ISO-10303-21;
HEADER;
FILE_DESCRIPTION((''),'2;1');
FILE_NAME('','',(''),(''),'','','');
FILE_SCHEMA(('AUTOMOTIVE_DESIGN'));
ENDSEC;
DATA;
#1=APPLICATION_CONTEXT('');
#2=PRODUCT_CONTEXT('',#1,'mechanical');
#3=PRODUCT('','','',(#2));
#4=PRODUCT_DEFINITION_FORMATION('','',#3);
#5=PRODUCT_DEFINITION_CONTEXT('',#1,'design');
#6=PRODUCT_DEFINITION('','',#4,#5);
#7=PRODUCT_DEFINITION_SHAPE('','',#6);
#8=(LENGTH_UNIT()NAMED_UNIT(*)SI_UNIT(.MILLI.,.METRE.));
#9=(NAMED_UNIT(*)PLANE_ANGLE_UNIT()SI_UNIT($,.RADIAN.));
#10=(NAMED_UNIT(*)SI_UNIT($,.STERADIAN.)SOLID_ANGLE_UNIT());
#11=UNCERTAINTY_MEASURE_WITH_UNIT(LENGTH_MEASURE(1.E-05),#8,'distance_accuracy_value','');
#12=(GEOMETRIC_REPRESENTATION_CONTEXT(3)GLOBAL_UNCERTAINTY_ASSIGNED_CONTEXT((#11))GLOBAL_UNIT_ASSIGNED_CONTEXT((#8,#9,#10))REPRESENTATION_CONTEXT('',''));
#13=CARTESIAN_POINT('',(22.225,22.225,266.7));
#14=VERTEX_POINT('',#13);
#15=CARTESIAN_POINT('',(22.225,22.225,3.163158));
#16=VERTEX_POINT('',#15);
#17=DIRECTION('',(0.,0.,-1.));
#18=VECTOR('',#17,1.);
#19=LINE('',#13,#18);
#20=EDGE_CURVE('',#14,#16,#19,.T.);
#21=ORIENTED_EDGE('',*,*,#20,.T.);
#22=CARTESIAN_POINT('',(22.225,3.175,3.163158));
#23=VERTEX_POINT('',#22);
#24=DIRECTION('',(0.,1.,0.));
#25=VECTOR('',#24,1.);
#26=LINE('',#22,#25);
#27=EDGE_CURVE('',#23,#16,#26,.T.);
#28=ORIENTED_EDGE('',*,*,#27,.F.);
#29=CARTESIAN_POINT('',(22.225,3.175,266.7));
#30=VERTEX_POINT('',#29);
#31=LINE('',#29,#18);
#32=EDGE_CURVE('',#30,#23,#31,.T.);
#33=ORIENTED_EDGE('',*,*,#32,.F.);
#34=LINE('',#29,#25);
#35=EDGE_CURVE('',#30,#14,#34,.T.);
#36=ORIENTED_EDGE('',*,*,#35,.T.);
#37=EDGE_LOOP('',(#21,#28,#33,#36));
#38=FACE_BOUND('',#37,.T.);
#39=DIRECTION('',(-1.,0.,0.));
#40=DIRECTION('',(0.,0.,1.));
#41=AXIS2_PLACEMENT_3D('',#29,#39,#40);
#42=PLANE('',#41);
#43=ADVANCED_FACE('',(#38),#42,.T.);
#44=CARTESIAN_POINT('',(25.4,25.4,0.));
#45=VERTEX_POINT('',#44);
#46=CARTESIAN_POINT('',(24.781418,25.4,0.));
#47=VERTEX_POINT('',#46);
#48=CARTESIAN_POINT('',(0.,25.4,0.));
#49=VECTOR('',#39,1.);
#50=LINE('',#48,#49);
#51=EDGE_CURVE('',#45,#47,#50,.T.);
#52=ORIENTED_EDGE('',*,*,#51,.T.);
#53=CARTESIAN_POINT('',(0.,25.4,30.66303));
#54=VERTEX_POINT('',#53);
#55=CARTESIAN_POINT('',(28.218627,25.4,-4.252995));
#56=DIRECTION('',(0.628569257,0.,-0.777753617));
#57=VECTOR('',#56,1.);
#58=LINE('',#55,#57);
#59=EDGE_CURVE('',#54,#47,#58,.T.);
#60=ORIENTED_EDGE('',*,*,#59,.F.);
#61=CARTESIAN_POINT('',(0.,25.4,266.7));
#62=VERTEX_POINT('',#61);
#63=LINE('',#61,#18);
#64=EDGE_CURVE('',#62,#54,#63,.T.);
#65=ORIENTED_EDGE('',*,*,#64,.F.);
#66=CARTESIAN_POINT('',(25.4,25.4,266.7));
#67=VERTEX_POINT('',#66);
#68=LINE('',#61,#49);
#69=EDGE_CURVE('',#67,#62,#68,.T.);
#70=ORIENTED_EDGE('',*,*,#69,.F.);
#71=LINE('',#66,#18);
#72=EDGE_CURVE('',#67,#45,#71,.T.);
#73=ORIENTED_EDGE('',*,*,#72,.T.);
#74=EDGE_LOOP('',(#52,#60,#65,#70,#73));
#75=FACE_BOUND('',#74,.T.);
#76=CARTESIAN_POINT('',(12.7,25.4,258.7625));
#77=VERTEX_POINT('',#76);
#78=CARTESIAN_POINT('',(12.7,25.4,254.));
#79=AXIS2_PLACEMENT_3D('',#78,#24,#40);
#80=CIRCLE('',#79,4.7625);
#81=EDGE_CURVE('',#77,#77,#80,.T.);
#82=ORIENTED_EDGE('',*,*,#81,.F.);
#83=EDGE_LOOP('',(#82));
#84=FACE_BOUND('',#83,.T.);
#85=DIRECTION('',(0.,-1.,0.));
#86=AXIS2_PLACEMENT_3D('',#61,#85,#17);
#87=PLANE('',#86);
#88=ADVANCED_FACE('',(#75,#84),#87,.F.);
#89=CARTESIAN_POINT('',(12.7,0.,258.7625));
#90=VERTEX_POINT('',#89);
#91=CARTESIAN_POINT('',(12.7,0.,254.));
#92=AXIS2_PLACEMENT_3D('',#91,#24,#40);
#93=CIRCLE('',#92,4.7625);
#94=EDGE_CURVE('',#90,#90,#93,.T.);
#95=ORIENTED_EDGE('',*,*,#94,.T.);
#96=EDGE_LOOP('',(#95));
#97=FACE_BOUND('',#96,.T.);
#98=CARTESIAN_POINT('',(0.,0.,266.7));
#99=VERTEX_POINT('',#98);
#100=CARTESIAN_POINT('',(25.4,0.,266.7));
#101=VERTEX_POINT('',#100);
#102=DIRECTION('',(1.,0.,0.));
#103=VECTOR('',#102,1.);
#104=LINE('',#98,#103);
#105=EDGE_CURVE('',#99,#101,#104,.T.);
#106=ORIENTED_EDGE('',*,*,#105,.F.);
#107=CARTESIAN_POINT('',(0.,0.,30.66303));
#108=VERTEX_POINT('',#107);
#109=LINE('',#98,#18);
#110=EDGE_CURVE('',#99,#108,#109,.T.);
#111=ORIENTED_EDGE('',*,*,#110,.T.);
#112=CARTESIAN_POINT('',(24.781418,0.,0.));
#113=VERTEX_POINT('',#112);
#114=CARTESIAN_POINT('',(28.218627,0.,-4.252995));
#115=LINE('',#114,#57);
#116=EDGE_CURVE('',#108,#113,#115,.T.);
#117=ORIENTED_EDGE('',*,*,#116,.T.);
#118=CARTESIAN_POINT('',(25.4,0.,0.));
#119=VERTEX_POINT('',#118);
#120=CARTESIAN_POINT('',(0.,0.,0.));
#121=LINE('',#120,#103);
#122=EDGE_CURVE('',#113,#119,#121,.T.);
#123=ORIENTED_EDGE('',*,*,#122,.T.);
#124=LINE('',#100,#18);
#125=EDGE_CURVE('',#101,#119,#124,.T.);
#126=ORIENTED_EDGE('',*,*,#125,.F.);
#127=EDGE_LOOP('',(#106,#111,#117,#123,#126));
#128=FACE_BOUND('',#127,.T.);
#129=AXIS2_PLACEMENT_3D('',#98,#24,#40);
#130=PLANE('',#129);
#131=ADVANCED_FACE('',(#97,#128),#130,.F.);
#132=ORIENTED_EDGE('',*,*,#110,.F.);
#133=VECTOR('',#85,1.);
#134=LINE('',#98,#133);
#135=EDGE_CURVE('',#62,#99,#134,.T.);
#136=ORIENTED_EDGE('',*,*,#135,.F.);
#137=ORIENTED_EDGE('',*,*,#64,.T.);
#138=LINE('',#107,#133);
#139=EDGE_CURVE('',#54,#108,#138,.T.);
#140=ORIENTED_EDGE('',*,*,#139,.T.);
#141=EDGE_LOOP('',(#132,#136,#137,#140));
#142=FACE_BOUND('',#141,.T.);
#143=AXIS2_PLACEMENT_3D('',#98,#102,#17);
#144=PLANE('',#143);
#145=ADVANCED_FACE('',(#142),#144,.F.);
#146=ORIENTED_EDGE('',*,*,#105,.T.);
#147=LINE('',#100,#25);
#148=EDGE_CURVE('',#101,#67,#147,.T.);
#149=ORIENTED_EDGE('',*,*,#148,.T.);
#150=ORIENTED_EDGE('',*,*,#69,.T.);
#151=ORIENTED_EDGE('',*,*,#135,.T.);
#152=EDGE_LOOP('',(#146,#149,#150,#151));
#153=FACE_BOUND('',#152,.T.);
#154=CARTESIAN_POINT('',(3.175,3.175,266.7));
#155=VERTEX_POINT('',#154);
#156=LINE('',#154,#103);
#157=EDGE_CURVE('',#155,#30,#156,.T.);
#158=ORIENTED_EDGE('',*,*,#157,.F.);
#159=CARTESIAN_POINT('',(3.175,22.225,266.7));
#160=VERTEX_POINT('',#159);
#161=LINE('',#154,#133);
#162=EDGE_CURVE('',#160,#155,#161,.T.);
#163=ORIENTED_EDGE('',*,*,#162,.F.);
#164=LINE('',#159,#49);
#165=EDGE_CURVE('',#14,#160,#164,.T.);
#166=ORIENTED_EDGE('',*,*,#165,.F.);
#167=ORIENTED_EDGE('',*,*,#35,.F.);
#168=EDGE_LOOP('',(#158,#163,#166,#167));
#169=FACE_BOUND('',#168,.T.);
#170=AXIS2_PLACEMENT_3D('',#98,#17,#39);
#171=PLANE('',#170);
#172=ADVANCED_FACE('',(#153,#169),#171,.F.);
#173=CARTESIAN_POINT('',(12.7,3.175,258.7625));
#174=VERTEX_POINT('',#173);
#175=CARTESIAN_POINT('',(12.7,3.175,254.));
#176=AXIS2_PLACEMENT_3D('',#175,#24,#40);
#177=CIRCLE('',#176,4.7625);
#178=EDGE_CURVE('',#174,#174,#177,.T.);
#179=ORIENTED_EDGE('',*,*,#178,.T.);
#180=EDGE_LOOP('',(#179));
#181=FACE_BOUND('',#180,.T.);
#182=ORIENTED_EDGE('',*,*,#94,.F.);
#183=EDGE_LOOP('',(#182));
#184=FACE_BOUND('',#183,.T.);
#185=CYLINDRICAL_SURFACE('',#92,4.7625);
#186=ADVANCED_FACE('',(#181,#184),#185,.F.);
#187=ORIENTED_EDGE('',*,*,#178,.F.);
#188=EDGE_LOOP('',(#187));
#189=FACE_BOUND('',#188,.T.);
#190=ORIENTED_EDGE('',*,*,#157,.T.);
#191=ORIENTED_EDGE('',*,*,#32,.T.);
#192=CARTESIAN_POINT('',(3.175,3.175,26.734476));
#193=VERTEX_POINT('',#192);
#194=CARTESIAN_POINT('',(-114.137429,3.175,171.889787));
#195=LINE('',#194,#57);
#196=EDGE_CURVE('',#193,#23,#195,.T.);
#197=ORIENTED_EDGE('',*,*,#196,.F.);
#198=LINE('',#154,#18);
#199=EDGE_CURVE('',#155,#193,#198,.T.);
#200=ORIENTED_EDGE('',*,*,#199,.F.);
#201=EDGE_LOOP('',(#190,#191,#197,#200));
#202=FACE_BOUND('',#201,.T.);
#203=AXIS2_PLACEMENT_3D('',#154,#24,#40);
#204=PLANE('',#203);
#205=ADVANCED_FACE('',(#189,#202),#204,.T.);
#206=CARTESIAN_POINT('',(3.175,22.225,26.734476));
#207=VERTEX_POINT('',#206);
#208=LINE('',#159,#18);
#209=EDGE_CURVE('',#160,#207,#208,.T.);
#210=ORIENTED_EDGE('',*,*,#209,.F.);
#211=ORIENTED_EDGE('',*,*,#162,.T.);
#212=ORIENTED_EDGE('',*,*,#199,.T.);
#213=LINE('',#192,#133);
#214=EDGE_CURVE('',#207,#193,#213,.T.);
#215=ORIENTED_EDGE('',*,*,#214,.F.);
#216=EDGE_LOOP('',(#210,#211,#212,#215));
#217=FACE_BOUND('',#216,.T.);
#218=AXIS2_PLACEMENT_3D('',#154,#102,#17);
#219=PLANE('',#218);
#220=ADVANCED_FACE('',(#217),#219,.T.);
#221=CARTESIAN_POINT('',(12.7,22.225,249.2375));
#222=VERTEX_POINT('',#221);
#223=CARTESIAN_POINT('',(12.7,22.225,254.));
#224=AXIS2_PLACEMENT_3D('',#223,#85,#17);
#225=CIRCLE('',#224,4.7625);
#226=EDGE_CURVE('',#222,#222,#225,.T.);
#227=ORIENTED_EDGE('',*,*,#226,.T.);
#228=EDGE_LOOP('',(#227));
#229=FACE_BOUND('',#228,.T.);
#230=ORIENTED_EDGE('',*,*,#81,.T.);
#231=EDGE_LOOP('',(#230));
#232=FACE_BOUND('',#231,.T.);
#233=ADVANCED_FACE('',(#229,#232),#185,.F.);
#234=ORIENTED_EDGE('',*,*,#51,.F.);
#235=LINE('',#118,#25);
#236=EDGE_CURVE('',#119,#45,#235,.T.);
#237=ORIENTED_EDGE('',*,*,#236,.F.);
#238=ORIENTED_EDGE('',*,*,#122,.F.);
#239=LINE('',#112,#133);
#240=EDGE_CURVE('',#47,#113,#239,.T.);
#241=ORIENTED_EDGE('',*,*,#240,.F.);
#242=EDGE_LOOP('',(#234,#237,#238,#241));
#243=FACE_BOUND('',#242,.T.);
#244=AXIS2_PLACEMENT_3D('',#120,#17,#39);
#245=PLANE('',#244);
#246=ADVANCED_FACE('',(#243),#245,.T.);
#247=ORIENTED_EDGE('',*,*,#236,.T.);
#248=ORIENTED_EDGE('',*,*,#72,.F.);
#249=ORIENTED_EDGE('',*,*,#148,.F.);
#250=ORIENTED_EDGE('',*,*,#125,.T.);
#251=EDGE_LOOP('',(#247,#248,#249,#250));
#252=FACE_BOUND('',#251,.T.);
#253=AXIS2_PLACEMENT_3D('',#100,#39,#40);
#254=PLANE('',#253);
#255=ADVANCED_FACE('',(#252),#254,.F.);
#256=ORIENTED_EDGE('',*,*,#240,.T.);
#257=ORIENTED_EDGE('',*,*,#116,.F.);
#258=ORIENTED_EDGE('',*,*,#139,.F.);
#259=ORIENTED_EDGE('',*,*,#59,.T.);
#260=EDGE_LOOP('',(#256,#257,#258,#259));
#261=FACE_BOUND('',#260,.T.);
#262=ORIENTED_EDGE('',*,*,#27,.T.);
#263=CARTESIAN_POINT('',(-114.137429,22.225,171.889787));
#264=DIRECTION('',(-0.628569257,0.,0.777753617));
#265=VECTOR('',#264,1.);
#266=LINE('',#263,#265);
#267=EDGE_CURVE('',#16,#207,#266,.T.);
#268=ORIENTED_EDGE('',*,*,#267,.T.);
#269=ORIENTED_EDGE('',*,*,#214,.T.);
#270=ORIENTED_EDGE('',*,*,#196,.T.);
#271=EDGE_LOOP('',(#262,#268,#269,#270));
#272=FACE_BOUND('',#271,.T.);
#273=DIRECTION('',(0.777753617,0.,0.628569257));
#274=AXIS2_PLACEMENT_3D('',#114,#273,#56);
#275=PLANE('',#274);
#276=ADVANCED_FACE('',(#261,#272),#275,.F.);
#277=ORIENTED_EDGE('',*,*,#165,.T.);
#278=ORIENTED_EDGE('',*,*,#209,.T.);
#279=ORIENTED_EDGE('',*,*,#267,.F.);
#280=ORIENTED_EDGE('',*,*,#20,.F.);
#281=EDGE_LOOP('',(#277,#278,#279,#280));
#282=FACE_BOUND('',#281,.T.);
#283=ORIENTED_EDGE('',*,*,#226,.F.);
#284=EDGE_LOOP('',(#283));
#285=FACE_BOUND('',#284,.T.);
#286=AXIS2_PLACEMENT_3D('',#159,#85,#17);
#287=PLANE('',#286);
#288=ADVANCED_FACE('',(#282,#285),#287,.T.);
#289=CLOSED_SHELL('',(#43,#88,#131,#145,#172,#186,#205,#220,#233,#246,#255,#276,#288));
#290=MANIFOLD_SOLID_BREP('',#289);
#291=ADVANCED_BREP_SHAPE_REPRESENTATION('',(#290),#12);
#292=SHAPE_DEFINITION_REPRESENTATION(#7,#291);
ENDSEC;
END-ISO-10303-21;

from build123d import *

# Parameters (mm, degrees)
SKETCH1_W           = 25.4
SKETCH1_H           = 25.4
SKETCH1_W_2         = 19.05
SKETCH1_H_2         = 19.05
BOSS_EXTRUDE1_DEPTH = 266.7
CUT_EXTRUDE1_DEPTH  = 270.108175275
SKETCH3_R           = 4.7625
CUT_EXTRUDE2_DEPTH  = 270.108175275


with BuildPart() as part:
    # Sketch1 → Boss-Extrude1 (new body)
    with BuildSketch(Plane.XY):
        with Locations((12.7, 12.7)):
            Rectangle(SKETCH1_W, SKETCH1_H)
        with Locations((12.7, 12.7)):
            Rectangle(SKETCH1_W_2, SKETCH1_H_2, mode=Mode.SUBTRACT)
    extrude(amount=BOSS_EXTRUDE1_DEPTH)

    # Sketch2 → Cut-Extrude1 (cut, through all)
    with BuildSketch(Plane(origin=(0, 25.4, 0), x_dir=(1, 0, 0), z_dir=(0, 1, 0))):
        Polygon((28.218627474, 4.252994852), (-38.643180904, -78.477766606), (-121.852589488, 10.228955552), (-14.467388396, 75.01098645), align=None)
    extrude(amount=-CUT_EXTRUDE1_DEPTH, mode=Mode.SUBTRACT)

    # Sketch3 → Cut-Extrude2 (cut, through all)
    with BuildSketch(Plane(origin=(0, 25.4, 0), x_dir=(1, 0, 0), z_dir=(0, 1, 0))):
        with Locations(Location((12.7, -254, 0), (0, 0, 270))):
            Circle(SKETCH3_R)
    extrude(amount=-CUT_EXTRUDE2_DEPTH, mode=Mode.SUBTRACT)


solid = part.part
